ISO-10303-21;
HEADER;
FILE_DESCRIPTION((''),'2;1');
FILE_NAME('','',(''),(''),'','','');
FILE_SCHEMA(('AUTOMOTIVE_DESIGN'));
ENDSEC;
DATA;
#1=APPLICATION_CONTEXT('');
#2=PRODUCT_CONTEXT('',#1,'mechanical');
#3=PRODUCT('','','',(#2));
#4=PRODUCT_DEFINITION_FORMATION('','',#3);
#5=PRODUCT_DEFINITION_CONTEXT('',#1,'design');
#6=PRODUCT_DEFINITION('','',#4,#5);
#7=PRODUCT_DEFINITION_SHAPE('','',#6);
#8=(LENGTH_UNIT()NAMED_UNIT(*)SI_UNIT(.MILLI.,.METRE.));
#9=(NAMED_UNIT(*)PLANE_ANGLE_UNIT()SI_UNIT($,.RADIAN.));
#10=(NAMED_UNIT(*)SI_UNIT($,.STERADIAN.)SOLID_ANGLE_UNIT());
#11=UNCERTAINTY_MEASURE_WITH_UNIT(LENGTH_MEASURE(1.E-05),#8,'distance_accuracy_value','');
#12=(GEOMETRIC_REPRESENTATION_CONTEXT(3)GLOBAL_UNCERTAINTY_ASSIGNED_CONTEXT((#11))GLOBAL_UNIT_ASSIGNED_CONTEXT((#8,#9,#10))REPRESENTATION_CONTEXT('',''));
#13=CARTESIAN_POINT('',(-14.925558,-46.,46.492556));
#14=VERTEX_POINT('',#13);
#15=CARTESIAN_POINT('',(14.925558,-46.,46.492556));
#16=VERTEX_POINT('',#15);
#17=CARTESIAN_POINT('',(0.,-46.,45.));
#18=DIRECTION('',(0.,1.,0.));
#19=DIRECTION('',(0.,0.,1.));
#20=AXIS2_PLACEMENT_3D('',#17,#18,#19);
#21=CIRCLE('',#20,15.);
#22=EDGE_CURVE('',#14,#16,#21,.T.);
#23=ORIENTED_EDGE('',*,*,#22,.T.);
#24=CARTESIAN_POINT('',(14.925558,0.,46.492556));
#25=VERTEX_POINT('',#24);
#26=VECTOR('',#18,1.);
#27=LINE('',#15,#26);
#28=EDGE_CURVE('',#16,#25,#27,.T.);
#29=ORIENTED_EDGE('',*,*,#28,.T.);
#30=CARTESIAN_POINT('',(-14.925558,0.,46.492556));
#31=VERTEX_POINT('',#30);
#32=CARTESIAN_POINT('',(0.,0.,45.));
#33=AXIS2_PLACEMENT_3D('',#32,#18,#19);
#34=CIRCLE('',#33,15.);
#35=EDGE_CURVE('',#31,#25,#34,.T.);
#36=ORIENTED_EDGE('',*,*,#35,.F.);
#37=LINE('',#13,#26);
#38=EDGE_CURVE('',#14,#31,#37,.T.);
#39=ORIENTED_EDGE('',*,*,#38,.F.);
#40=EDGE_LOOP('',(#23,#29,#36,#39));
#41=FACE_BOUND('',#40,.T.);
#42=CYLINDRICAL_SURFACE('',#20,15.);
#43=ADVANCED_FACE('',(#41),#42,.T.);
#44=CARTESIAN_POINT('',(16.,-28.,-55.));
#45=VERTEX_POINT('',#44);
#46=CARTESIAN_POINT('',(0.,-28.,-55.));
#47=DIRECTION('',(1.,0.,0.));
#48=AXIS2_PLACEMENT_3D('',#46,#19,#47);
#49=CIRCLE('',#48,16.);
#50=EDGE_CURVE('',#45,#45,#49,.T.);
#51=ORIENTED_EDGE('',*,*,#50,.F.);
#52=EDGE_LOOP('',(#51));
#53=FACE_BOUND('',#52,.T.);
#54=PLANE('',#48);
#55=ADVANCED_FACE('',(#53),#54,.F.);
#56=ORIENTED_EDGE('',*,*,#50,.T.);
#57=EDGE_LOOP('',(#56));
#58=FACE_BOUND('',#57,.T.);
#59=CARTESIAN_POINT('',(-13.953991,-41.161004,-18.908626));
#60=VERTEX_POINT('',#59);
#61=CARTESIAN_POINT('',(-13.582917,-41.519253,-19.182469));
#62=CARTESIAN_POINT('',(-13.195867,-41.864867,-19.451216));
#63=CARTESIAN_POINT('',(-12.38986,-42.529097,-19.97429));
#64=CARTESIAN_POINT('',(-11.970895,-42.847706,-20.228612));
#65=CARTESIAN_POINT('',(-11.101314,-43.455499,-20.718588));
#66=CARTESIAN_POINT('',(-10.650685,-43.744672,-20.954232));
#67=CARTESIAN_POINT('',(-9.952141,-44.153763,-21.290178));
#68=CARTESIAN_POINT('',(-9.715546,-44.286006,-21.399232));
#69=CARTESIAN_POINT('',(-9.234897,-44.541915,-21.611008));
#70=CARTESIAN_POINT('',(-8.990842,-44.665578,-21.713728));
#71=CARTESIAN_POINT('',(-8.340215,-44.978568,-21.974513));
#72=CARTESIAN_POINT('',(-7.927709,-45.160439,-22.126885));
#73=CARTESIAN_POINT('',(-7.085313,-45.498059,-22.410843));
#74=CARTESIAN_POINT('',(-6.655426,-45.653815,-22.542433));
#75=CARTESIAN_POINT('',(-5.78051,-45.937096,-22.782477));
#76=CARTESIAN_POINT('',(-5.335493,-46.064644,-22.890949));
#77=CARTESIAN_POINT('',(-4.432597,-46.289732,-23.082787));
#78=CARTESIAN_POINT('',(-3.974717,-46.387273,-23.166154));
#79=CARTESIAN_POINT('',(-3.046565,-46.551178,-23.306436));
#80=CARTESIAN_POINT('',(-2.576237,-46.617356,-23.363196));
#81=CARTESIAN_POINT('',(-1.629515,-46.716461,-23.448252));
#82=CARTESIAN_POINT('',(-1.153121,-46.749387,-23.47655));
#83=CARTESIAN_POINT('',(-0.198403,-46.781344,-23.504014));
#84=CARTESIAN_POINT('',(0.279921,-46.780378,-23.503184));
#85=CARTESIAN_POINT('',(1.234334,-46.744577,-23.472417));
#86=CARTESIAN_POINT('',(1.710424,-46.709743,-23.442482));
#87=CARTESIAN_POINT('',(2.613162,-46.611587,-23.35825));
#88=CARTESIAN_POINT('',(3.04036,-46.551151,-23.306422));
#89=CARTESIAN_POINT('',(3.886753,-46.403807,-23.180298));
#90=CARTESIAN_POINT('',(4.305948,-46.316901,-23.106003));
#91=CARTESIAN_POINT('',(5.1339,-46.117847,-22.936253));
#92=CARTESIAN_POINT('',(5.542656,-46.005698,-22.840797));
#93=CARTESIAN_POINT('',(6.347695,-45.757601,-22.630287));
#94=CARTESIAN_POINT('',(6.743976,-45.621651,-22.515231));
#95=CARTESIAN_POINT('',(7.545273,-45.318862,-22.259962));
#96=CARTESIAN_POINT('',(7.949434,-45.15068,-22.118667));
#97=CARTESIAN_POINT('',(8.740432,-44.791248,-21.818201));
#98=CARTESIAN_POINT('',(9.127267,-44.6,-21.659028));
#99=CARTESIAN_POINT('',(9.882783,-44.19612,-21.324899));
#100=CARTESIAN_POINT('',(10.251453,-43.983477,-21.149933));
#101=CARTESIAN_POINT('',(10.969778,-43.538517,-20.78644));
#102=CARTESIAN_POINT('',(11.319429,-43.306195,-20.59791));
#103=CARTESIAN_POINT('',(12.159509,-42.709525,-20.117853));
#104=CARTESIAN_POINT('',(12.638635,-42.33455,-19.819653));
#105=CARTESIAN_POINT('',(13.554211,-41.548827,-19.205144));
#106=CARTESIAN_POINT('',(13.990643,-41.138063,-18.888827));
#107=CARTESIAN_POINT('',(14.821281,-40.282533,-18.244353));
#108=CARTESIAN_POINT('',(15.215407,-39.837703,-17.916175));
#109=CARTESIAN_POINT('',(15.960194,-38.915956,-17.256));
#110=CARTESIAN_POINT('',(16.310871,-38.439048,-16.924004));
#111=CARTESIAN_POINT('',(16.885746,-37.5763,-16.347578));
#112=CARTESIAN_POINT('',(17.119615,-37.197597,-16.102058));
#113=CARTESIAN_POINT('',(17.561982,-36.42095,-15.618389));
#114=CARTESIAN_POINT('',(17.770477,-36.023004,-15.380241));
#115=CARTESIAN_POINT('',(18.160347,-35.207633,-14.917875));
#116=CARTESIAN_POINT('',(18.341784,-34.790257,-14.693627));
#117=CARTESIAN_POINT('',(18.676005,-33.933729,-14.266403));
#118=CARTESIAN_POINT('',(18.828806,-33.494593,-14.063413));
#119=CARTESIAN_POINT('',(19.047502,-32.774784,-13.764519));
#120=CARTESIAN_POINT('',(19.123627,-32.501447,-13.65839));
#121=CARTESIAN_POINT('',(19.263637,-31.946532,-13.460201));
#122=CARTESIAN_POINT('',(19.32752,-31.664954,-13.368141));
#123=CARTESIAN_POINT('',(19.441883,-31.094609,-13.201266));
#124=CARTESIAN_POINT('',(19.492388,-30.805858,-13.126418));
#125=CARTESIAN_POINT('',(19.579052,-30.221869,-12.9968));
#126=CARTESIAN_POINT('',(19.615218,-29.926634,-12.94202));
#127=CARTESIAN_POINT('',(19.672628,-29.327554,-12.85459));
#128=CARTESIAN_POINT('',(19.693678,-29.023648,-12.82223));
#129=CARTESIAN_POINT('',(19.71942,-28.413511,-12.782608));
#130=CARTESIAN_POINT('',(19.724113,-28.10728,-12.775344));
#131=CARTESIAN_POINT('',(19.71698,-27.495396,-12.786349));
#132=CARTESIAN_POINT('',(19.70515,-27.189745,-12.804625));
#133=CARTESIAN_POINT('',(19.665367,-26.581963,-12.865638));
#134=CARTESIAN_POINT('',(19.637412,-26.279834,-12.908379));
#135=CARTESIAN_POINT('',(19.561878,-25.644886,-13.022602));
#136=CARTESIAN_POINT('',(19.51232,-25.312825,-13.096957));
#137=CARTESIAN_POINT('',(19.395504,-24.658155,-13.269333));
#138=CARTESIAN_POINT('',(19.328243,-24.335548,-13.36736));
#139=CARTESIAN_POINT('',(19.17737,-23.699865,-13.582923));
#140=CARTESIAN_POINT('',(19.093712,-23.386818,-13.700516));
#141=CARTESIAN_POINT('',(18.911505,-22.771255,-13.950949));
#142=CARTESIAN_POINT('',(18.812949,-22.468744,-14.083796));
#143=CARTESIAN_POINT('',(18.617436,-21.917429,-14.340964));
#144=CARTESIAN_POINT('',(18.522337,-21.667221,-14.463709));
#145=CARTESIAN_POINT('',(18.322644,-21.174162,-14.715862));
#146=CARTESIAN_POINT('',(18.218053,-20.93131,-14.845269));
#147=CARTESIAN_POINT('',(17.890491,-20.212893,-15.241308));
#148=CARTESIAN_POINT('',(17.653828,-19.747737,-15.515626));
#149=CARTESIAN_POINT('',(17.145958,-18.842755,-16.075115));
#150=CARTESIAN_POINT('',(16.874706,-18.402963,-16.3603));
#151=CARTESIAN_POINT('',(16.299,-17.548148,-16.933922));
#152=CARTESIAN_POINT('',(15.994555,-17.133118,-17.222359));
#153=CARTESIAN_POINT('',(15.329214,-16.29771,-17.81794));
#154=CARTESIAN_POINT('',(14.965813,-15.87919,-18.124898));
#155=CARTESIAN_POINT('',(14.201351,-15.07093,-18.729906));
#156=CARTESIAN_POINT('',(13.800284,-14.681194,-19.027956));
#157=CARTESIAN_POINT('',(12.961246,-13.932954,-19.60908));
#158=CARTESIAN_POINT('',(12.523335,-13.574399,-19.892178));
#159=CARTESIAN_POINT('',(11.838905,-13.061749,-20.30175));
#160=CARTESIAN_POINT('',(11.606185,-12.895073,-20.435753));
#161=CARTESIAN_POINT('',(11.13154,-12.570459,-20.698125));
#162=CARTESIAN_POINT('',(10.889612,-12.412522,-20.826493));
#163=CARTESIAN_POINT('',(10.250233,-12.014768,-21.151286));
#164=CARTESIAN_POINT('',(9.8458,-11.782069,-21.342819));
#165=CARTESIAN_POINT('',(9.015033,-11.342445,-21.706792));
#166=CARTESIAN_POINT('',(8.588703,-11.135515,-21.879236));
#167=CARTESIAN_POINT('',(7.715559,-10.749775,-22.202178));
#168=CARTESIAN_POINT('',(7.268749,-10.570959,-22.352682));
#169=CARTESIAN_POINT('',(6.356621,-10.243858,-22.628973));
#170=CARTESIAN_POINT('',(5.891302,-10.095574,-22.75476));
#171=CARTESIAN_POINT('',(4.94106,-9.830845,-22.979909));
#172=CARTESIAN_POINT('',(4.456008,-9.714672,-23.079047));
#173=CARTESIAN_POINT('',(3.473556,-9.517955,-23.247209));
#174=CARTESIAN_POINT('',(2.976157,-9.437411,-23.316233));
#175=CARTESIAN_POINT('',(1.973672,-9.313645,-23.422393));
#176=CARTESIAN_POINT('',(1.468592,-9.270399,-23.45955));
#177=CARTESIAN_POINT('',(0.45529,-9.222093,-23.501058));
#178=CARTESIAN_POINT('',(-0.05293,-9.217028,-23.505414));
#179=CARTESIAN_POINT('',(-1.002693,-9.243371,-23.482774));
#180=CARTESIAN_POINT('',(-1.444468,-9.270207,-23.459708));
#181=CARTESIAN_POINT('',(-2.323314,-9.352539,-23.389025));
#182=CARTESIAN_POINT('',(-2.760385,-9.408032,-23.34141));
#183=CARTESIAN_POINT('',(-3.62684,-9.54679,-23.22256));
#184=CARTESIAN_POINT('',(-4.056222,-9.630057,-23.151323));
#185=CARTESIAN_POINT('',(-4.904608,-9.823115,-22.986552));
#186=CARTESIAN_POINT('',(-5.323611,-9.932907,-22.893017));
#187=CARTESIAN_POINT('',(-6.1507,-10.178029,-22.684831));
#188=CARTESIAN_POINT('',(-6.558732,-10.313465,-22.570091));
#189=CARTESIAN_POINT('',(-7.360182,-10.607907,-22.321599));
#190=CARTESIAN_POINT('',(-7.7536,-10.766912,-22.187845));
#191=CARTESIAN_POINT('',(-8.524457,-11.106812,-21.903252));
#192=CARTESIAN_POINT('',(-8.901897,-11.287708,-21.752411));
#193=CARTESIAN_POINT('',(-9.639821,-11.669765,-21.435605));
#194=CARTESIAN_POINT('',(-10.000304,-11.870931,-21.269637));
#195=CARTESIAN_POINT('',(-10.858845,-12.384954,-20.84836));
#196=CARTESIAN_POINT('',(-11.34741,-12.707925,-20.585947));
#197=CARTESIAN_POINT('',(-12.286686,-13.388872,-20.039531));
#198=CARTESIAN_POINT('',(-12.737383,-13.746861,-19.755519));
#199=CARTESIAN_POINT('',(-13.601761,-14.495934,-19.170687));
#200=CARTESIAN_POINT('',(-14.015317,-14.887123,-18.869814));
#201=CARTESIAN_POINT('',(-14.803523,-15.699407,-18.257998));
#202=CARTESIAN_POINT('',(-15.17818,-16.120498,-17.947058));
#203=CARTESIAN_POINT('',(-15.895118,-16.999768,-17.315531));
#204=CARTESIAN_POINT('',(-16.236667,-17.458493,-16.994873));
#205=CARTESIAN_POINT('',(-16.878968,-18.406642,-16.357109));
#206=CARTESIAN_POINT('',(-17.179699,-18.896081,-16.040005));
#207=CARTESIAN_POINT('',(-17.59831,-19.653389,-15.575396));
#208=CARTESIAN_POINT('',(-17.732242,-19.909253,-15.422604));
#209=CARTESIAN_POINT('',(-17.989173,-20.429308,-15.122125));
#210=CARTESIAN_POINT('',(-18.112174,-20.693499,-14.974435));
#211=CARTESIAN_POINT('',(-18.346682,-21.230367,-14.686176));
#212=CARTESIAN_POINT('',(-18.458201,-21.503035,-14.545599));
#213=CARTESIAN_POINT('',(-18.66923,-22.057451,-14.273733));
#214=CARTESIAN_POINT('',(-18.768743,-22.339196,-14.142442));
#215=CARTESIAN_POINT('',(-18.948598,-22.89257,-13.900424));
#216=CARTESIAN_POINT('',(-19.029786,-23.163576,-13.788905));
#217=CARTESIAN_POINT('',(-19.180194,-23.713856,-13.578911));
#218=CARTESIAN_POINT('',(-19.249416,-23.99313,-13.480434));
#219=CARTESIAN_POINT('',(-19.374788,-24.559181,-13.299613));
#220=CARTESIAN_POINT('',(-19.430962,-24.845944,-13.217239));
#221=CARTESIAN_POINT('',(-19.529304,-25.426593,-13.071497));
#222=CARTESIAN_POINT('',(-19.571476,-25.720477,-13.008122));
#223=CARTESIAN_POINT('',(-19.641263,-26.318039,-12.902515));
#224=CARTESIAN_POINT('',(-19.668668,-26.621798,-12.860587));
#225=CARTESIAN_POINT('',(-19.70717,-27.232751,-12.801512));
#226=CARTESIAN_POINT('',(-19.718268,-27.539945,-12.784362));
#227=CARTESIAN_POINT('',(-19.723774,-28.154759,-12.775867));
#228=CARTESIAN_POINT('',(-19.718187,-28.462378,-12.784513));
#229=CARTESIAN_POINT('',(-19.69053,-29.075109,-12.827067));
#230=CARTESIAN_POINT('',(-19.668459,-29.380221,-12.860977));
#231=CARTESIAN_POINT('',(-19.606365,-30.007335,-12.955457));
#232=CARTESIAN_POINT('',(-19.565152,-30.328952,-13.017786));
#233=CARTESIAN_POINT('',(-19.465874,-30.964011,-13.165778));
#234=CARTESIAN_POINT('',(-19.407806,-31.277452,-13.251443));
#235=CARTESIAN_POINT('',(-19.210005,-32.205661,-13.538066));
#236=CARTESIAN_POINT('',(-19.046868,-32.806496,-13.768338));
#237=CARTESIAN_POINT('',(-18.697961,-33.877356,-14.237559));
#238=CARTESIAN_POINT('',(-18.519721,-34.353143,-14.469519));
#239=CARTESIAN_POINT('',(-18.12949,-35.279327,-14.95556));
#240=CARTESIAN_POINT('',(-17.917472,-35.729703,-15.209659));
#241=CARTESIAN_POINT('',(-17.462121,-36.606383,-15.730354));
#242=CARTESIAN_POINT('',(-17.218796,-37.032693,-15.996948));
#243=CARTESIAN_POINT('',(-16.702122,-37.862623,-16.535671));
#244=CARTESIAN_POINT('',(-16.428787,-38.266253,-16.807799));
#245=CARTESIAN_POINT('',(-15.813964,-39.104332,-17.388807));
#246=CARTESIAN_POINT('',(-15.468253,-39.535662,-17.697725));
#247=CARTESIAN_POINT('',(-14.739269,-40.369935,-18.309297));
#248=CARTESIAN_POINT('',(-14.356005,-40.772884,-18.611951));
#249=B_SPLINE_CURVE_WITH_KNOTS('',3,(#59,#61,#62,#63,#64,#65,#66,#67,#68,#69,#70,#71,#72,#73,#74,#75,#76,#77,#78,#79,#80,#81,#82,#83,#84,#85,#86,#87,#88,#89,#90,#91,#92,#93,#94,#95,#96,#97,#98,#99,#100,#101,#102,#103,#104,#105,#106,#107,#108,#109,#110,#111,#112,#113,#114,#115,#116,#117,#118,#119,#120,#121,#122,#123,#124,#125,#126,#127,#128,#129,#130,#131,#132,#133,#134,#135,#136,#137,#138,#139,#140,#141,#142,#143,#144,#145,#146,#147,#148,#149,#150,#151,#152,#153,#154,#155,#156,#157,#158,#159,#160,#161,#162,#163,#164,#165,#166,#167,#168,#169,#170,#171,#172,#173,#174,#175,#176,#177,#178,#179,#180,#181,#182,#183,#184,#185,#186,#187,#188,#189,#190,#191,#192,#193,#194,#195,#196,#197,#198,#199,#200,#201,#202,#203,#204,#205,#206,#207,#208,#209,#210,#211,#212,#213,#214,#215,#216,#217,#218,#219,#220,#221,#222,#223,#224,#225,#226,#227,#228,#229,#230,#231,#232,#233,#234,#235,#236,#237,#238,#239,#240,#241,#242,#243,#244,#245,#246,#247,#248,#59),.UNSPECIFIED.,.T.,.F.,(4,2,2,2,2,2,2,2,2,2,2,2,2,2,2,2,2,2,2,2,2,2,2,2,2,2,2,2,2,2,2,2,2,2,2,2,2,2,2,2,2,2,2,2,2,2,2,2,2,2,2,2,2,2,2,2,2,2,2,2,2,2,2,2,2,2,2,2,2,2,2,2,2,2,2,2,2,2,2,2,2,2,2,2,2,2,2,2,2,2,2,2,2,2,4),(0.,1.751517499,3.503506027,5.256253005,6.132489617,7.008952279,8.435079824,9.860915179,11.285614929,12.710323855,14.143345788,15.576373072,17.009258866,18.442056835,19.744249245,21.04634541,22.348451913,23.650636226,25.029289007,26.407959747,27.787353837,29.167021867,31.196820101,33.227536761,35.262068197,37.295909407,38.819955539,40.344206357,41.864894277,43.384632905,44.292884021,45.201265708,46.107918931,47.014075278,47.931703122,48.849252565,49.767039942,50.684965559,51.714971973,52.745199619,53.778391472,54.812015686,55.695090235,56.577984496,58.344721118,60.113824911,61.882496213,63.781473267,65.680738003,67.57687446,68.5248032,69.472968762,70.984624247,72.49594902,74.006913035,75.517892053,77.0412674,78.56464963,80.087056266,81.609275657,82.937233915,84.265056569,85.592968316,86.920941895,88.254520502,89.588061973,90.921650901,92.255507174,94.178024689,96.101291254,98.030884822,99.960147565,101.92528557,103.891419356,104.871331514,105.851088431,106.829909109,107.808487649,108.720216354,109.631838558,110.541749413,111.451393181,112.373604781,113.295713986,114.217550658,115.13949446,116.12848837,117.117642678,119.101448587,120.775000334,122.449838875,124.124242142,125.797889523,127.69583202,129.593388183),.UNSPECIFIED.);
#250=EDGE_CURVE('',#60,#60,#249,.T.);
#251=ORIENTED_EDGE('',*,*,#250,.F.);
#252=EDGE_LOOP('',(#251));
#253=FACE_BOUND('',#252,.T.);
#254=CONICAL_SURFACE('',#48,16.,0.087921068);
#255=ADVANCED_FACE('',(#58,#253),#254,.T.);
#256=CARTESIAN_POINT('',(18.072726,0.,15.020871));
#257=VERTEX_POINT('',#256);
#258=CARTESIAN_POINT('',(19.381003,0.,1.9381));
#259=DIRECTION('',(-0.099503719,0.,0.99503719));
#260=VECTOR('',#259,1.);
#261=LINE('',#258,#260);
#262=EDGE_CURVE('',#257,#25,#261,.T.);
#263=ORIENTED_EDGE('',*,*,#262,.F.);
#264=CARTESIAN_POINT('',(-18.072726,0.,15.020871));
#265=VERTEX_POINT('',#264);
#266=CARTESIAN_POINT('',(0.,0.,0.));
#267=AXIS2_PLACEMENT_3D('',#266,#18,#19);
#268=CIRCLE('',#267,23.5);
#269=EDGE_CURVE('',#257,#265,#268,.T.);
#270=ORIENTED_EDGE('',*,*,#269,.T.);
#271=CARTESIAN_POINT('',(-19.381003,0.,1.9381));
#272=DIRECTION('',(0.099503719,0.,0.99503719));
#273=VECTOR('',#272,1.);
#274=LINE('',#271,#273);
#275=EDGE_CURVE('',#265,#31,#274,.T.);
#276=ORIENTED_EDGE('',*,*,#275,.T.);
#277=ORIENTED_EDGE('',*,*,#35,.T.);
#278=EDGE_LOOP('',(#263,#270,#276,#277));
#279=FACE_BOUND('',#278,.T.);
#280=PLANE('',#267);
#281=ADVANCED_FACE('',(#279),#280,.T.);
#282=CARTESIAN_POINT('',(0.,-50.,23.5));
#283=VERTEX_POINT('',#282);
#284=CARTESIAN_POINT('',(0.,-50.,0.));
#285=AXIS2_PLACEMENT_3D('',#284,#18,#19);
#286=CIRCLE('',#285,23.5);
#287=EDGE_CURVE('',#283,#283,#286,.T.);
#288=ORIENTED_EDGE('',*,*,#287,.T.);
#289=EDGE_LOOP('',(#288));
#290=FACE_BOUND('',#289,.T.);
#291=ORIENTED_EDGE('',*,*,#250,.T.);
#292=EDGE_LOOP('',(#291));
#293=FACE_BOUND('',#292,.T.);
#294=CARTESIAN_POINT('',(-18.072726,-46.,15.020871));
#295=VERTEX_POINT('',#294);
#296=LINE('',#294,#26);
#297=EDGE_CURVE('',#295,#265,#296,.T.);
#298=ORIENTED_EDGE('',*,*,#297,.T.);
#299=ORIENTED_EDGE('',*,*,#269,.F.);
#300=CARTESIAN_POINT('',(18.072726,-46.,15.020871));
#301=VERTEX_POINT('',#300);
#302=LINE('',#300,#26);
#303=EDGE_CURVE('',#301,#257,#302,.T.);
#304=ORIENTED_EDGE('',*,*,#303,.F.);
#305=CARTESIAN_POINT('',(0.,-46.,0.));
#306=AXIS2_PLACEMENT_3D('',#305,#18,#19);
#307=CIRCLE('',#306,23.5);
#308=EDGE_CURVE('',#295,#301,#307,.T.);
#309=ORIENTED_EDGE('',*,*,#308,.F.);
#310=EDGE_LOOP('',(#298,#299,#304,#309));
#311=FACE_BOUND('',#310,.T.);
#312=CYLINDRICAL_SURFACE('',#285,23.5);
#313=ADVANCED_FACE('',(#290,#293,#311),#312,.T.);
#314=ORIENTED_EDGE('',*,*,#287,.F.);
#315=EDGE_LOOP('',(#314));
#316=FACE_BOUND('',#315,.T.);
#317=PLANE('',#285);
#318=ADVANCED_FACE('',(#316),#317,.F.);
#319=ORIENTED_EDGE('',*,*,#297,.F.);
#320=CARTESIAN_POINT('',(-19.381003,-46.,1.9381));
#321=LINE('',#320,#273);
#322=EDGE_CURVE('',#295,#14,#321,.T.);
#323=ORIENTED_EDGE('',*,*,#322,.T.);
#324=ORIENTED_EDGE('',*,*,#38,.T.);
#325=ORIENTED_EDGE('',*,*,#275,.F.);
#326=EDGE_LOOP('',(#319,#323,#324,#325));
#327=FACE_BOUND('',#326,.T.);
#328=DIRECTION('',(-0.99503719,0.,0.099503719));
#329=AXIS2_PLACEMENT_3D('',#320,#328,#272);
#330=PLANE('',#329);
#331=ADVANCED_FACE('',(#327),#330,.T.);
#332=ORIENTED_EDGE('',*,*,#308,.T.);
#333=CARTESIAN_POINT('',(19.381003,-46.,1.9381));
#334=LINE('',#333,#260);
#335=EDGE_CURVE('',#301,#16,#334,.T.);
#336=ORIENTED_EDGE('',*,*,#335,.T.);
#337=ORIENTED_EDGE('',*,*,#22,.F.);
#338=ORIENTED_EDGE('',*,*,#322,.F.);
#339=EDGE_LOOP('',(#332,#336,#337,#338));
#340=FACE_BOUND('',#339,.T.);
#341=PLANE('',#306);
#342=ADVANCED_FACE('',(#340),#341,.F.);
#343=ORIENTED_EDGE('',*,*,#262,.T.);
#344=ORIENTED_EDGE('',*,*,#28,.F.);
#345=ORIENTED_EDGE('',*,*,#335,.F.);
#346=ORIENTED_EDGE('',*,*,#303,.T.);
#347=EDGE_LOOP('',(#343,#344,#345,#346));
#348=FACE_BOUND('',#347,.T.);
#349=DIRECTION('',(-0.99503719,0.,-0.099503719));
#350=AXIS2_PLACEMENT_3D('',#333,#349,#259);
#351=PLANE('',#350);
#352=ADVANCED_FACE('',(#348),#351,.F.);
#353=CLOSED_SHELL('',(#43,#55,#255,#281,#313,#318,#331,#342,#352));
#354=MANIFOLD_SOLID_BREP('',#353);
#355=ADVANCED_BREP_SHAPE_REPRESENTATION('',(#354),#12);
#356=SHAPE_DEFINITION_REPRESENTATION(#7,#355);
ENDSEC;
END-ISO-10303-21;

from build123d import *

# Parameters (mm, degrees)
BOSS_EXTRUDE1_DEPTH = 46
SKETCH1_3_R         = 23.5
BOSS_EXTRUDE2_DEPTH = 50


with BuildPart() as part:
    # Sketch1 → Boss-Extrude1 (new body)
    with BuildSketch(Plane(origin=(0, 0, 0), x_dir=(1, 0, 0), z_dir=(0, 1, 0))):
        with BuildLine():
            ThreePointArc((18.072726342, -15.020870899), (0, -23.5), (-18.072726342, -15.020870899))
            Line((-18.072726342, -15.020870899), (-14.925557853, -46.492555785))
            ThreePointArc((-14.925557853, -46.492555785), (0, -60), (14.925557853, -46.492555785))
            Line((14.925557853, -46.492555785), (18.072726342, -15.020870899))
        make_face()
    extrude(amount=-BOSS_EXTRUDE1_DEPTH)

    # Sketch1<3> → Boss-Extrude2 (add)
    with BuildSketch(Plane(origin=(0, 0, 0), x_dir=(1, 0, 0), z_dir=(0, 1, 0))):
        Circle(SKETCH1_3_R)
    extrude(amount=-BOSS_EXTRUDE2_DEPTH)

    # Sketch2 → Revolve1 (revolve)
    with BuildSketch(Plane(origin=(0, -28, 0), x_dir=(1, 0, 0), z_dir=(0, 1, 0))):
        Polygon((-19.721704902, 12.779059268), (0, 12.779059268), (0, 55), (-16, 55), align=None)
    revolve(axis=Axis((0, -28, 0), (0, 0, -1)))


solid = part.part
